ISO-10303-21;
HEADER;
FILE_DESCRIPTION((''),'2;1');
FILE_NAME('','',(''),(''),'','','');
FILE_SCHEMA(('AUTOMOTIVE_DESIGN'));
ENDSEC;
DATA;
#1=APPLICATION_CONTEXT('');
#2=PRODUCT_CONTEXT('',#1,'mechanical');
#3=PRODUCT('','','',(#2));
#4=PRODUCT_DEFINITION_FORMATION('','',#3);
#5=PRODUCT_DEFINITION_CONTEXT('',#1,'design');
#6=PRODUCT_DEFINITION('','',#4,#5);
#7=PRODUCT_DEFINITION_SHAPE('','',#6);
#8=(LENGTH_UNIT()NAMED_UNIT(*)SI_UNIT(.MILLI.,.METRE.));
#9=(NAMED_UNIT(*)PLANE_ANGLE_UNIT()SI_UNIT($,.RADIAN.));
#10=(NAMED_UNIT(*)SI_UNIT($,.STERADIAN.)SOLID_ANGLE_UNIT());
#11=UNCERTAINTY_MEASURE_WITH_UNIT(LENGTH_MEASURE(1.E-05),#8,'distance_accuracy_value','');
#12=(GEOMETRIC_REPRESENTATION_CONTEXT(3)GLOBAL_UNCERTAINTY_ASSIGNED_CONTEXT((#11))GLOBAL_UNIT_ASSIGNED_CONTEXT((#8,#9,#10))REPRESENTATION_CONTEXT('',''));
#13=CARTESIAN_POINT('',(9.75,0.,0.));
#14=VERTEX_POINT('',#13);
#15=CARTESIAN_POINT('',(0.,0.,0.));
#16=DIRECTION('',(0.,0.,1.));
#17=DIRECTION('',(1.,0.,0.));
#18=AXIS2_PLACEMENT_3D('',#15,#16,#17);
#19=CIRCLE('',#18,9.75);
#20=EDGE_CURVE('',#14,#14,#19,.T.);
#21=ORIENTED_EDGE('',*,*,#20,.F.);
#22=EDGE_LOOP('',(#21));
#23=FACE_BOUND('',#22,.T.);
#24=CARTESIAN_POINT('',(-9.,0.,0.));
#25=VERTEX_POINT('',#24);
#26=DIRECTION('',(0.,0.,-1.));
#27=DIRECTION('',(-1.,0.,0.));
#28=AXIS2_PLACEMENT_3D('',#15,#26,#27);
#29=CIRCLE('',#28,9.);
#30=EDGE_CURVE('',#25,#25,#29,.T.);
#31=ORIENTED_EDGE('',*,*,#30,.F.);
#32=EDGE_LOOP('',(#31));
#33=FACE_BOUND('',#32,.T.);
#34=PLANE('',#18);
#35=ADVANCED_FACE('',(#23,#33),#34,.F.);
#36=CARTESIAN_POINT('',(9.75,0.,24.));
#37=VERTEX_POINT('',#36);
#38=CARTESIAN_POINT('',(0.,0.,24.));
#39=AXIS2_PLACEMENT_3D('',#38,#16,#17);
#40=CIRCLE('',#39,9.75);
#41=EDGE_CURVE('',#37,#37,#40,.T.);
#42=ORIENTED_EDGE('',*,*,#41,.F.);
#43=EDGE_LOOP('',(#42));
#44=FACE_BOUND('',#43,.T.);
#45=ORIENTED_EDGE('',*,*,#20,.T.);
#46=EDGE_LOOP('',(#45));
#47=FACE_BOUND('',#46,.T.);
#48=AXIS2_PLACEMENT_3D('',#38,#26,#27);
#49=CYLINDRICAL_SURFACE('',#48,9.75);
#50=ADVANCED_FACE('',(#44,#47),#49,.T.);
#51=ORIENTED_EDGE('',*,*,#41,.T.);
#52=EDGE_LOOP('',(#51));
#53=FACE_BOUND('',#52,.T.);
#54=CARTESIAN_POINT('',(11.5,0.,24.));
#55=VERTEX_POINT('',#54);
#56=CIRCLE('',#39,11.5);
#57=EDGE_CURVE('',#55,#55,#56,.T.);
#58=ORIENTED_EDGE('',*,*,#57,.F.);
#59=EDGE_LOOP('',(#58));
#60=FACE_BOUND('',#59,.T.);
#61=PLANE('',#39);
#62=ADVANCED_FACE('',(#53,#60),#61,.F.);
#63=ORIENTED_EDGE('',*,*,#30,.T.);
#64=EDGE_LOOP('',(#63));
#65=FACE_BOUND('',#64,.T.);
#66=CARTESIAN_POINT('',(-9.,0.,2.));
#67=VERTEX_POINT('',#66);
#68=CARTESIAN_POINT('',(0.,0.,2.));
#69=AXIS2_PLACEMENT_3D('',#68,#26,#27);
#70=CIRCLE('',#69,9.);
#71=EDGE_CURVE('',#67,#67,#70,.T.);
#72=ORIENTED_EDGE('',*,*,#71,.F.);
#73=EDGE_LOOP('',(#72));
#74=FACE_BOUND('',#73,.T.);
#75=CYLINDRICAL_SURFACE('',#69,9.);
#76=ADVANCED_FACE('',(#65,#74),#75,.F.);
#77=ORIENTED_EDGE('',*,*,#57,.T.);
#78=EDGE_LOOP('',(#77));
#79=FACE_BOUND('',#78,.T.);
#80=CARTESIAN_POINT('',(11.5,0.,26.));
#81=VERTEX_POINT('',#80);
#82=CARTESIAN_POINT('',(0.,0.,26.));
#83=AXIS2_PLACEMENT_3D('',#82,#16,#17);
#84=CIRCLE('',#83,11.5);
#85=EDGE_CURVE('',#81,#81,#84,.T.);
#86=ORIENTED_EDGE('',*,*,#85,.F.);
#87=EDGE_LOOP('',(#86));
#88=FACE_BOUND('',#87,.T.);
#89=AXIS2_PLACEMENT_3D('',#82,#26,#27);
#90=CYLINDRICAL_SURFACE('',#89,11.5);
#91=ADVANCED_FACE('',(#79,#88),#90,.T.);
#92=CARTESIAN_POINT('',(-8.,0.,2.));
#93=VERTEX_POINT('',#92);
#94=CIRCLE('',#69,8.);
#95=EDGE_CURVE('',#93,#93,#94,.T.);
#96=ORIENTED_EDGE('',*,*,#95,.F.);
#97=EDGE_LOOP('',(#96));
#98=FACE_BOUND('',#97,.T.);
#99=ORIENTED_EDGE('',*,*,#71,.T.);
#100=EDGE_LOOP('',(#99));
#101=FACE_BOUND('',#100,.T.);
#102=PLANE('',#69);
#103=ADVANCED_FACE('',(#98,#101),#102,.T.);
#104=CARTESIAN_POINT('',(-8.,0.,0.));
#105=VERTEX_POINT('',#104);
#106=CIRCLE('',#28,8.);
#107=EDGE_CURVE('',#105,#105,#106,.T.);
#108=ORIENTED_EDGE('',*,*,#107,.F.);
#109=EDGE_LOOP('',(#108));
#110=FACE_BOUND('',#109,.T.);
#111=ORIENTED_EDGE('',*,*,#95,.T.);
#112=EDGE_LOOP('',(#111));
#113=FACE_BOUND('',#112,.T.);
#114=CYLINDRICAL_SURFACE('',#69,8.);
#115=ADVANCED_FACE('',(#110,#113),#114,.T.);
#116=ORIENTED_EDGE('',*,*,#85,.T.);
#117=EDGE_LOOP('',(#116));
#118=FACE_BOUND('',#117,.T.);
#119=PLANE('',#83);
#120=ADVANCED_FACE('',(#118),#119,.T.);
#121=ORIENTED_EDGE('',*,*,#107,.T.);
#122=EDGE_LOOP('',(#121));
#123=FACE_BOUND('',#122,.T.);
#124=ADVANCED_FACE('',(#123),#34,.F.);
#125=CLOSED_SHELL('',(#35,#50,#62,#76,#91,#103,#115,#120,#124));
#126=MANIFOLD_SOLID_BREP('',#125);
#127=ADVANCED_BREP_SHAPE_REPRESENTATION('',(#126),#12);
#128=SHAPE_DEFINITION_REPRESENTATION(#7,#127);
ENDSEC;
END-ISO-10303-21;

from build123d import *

# Parameters (mm, degrees)
SKETCH1_R           = 9.75
BOSS_EXTRUDE1_DEPTH = 24
SKETCH3_R           = 11.5
BOSS_EXTRUDE2_DEPTH = 2
SKETCH4_R           = 9
SKETCH4_R_2         = 8
CUT_EXTRUDE1_DEPTH  = 2


with BuildPart() as part:
    # Sketch1 → Boss-Extrude1 (new body)
    with BuildSketch(Plane.XY):
        Circle(SKETCH1_R)
    extrude(amount=BOSS_EXTRUDE1_DEPTH)

    # Sketch3 → Boss-Extrude2 (add)
    with BuildSketch(Plane.XY.offset(24)):
        Circle(SKETCH3_R)
    extrude(amount=BOSS_EXTRUDE2_DEPTH)

    # Sketch4 → Cut-Extrude1 (cut)
    with BuildSketch(Plane(origin=(0, 0, 0), x_dir=(-1, 0, 0), z_dir=(0, 0, -1))):
        Circle(SKETCH4_R)
        Circle(SKETCH4_R_2, mode=Mode.SUBTRACT)
    extrude(amount=-CUT_EXTRUDE1_DEPTH, mode=Mode.SUBTRACT)


solid = part.part
